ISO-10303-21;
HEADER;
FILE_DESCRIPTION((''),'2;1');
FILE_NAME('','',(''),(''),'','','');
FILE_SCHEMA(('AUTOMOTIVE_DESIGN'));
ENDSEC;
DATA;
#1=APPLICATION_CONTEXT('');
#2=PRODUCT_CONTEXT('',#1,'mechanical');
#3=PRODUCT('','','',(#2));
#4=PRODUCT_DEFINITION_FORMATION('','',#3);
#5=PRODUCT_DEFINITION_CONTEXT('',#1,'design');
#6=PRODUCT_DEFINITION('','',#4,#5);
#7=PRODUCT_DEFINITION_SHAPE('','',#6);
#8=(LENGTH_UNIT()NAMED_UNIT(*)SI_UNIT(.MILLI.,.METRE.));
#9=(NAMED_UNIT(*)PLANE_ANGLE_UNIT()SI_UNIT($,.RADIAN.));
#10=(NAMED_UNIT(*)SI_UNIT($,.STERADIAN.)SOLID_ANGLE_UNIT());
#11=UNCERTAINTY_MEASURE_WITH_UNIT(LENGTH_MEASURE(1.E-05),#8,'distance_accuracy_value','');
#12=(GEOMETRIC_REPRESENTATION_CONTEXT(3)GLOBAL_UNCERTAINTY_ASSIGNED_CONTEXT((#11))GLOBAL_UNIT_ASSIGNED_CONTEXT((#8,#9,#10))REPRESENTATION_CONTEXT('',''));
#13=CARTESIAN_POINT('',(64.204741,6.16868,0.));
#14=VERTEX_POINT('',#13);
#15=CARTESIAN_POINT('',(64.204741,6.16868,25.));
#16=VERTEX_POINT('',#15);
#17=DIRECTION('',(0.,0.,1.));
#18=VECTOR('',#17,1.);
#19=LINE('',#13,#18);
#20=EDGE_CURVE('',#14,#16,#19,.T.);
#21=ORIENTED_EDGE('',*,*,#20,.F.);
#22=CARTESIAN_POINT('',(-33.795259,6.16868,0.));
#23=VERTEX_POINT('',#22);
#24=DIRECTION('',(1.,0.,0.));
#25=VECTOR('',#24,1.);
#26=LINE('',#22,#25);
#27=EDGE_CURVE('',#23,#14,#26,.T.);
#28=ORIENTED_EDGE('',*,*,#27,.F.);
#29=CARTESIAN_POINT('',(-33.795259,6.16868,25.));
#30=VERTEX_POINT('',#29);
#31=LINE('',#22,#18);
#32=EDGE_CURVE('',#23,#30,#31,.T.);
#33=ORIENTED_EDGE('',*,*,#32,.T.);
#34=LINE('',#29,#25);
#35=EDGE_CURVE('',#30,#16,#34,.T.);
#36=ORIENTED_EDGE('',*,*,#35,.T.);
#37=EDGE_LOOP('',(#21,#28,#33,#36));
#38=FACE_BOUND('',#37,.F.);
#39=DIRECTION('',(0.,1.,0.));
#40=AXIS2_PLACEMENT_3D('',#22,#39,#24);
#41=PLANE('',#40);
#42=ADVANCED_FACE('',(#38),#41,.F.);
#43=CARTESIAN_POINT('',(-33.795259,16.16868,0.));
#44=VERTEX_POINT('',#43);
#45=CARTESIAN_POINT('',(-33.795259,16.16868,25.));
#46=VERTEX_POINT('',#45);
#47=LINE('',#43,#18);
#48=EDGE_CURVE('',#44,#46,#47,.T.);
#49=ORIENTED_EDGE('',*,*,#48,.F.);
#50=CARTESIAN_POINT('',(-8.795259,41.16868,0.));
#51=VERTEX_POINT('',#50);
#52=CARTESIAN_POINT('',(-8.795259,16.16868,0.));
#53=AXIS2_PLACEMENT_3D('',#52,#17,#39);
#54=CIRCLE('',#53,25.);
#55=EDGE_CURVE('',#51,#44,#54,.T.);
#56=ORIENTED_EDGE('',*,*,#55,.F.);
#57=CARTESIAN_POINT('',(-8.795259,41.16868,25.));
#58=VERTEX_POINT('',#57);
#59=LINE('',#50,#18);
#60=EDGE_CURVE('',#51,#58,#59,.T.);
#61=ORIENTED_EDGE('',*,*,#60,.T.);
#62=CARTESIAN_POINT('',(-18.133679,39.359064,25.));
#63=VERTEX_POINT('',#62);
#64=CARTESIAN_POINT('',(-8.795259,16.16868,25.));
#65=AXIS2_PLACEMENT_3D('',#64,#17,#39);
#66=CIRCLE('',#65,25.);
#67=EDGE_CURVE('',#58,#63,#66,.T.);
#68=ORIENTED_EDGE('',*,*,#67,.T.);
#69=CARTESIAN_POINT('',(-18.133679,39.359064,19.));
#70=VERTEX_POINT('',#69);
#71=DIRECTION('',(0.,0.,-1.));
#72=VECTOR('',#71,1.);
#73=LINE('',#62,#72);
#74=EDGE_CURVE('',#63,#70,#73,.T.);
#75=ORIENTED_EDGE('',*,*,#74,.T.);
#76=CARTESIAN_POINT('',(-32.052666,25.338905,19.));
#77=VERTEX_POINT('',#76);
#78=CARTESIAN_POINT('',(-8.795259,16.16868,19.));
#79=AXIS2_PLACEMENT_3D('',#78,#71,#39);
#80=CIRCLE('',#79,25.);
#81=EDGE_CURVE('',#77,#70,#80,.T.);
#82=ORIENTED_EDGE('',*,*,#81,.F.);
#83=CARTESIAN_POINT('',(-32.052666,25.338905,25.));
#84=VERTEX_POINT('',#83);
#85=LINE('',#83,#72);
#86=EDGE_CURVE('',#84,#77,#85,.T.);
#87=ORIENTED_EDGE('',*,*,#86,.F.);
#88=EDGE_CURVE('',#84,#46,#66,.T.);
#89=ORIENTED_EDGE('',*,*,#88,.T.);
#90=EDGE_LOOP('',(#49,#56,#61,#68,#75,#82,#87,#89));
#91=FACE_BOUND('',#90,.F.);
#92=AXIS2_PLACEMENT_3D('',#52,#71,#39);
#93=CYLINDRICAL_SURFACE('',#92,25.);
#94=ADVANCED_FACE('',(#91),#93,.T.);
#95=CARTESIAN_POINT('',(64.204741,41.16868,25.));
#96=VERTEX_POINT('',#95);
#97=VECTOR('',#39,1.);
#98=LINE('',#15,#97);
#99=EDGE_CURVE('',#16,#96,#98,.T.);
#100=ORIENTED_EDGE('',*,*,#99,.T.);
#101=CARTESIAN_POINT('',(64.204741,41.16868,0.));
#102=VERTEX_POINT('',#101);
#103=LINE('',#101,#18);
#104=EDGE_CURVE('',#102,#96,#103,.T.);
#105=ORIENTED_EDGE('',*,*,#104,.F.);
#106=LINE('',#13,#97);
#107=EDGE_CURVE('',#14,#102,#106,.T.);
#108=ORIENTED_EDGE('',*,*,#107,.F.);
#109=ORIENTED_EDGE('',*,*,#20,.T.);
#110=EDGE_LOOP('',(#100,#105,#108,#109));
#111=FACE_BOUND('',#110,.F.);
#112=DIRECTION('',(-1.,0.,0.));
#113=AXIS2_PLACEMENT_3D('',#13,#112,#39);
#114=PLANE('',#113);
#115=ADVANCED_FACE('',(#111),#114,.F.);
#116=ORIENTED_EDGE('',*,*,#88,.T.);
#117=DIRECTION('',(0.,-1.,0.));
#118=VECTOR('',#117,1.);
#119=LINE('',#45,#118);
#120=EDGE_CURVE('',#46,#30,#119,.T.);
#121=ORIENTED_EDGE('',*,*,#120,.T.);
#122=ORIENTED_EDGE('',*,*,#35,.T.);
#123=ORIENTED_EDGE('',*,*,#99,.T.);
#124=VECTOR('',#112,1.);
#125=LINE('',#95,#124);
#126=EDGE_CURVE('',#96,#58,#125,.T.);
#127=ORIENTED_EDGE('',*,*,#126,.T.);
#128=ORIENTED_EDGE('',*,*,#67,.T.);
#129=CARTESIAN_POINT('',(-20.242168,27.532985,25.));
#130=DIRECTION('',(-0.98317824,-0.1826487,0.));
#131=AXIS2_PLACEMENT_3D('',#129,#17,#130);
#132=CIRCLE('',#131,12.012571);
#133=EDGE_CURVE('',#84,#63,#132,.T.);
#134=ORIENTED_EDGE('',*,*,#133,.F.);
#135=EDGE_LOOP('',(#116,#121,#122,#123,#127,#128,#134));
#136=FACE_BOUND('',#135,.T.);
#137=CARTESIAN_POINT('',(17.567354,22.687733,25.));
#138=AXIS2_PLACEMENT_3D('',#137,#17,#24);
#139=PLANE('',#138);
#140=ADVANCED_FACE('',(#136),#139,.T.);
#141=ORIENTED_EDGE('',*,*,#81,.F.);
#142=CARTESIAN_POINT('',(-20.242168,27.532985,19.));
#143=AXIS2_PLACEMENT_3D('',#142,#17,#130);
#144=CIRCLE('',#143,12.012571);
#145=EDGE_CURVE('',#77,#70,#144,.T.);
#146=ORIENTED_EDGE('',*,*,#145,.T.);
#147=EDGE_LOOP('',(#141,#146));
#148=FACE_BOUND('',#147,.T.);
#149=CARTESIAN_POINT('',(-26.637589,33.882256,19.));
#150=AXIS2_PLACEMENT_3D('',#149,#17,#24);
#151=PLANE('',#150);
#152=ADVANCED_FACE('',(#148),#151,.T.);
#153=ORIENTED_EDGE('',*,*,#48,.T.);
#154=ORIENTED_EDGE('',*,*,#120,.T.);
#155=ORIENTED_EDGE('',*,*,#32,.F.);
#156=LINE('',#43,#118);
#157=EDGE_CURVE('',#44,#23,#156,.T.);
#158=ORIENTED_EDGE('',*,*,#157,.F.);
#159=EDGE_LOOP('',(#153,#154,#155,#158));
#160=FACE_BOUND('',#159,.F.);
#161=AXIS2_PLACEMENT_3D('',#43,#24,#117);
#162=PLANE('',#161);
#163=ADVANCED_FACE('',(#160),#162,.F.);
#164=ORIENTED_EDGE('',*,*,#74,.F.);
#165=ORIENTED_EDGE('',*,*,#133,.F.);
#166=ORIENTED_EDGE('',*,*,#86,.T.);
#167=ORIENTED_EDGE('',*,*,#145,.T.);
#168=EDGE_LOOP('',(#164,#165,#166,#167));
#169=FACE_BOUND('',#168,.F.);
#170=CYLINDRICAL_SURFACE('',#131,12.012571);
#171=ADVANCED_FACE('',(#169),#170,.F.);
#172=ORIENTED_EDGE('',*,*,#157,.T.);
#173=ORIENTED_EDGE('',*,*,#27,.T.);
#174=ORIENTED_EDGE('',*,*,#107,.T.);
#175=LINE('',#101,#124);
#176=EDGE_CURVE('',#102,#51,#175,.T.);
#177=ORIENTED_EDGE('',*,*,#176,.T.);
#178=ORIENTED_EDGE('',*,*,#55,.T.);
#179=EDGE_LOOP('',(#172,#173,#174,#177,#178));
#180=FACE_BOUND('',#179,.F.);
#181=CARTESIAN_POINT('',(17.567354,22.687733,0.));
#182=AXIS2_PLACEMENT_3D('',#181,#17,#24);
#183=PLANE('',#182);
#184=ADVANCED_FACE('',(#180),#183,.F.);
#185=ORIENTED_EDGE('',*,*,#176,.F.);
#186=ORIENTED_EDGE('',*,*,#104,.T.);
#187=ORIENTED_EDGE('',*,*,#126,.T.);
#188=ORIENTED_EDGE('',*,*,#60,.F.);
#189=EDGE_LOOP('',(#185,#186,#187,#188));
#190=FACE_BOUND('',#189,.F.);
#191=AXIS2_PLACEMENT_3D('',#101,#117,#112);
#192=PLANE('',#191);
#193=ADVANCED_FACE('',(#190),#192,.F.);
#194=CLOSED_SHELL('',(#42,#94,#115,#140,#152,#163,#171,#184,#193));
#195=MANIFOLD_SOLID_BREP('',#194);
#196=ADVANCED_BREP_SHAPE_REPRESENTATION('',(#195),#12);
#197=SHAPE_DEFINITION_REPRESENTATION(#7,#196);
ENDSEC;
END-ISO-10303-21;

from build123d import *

# Parameters (mm, degrees)
F1_DEPTH = 25
F3_DEPTH = 6


with BuildPart() as f1:
    # F0 (on Top) → F1 (new body)
    with BuildSketch(Plane.XY):
        with BuildLine():
            Line((64.2047406882, 41.168680372), (-8.7952593118, 41.168680372))
            ThreePointArc((-8.7952593118, 41.168680372), (-26.4729288415, 33.8463499017), (-33.7952593118, 16.168680372))
            Line((-33.7952593118, 16.168680372), (-33.7952593118, 6.168680372))
            Line((-33.7952593118, 6.168680372), (64.2047406882, 6.168680372))
            Line((64.2047406882, 6.168680372), (64.2047406882, 41.168680372))
        make_face()
    extrude(amount=F1_DEPTH)

    # F2 (on face) → F3 (cut)
    with BuildSketch(Plane.XY.offset(25)):
        with BuildLine():
            ThreePointArc((-32.0526663499, 25.3389048985), (-26.5368263526, 33.7822205879), (-18.1336791483, 39.3590644774))
            ThreePointArc((-18.1336791483, 39.3590644774), (-28.7670411991, 35.9963417418), (-32.0526663499, 25.3389048985))
        make_face()
        with BuildLine():
            ThreePointArc((-32.0526663499, 25.3389048985), (-19.1404845237, 15.5710389549), (-8.2295963363, 27.5329854339))
            ThreePointArc((-8.2295963363, 27.5329854339), (-11.0326552297, 35.2457508571), (-18.1336791483, 39.3590644774))
            ThreePointArc((-18.1336791483, 39.3590644774), (-26.5368263526, 33.7822205879), (-32.0526663499, 25.3389048985))
        make_face()
    extrude(amount=-F3_DEPTH, mode=Mode.SUBTRACT)


solid = f1.part
